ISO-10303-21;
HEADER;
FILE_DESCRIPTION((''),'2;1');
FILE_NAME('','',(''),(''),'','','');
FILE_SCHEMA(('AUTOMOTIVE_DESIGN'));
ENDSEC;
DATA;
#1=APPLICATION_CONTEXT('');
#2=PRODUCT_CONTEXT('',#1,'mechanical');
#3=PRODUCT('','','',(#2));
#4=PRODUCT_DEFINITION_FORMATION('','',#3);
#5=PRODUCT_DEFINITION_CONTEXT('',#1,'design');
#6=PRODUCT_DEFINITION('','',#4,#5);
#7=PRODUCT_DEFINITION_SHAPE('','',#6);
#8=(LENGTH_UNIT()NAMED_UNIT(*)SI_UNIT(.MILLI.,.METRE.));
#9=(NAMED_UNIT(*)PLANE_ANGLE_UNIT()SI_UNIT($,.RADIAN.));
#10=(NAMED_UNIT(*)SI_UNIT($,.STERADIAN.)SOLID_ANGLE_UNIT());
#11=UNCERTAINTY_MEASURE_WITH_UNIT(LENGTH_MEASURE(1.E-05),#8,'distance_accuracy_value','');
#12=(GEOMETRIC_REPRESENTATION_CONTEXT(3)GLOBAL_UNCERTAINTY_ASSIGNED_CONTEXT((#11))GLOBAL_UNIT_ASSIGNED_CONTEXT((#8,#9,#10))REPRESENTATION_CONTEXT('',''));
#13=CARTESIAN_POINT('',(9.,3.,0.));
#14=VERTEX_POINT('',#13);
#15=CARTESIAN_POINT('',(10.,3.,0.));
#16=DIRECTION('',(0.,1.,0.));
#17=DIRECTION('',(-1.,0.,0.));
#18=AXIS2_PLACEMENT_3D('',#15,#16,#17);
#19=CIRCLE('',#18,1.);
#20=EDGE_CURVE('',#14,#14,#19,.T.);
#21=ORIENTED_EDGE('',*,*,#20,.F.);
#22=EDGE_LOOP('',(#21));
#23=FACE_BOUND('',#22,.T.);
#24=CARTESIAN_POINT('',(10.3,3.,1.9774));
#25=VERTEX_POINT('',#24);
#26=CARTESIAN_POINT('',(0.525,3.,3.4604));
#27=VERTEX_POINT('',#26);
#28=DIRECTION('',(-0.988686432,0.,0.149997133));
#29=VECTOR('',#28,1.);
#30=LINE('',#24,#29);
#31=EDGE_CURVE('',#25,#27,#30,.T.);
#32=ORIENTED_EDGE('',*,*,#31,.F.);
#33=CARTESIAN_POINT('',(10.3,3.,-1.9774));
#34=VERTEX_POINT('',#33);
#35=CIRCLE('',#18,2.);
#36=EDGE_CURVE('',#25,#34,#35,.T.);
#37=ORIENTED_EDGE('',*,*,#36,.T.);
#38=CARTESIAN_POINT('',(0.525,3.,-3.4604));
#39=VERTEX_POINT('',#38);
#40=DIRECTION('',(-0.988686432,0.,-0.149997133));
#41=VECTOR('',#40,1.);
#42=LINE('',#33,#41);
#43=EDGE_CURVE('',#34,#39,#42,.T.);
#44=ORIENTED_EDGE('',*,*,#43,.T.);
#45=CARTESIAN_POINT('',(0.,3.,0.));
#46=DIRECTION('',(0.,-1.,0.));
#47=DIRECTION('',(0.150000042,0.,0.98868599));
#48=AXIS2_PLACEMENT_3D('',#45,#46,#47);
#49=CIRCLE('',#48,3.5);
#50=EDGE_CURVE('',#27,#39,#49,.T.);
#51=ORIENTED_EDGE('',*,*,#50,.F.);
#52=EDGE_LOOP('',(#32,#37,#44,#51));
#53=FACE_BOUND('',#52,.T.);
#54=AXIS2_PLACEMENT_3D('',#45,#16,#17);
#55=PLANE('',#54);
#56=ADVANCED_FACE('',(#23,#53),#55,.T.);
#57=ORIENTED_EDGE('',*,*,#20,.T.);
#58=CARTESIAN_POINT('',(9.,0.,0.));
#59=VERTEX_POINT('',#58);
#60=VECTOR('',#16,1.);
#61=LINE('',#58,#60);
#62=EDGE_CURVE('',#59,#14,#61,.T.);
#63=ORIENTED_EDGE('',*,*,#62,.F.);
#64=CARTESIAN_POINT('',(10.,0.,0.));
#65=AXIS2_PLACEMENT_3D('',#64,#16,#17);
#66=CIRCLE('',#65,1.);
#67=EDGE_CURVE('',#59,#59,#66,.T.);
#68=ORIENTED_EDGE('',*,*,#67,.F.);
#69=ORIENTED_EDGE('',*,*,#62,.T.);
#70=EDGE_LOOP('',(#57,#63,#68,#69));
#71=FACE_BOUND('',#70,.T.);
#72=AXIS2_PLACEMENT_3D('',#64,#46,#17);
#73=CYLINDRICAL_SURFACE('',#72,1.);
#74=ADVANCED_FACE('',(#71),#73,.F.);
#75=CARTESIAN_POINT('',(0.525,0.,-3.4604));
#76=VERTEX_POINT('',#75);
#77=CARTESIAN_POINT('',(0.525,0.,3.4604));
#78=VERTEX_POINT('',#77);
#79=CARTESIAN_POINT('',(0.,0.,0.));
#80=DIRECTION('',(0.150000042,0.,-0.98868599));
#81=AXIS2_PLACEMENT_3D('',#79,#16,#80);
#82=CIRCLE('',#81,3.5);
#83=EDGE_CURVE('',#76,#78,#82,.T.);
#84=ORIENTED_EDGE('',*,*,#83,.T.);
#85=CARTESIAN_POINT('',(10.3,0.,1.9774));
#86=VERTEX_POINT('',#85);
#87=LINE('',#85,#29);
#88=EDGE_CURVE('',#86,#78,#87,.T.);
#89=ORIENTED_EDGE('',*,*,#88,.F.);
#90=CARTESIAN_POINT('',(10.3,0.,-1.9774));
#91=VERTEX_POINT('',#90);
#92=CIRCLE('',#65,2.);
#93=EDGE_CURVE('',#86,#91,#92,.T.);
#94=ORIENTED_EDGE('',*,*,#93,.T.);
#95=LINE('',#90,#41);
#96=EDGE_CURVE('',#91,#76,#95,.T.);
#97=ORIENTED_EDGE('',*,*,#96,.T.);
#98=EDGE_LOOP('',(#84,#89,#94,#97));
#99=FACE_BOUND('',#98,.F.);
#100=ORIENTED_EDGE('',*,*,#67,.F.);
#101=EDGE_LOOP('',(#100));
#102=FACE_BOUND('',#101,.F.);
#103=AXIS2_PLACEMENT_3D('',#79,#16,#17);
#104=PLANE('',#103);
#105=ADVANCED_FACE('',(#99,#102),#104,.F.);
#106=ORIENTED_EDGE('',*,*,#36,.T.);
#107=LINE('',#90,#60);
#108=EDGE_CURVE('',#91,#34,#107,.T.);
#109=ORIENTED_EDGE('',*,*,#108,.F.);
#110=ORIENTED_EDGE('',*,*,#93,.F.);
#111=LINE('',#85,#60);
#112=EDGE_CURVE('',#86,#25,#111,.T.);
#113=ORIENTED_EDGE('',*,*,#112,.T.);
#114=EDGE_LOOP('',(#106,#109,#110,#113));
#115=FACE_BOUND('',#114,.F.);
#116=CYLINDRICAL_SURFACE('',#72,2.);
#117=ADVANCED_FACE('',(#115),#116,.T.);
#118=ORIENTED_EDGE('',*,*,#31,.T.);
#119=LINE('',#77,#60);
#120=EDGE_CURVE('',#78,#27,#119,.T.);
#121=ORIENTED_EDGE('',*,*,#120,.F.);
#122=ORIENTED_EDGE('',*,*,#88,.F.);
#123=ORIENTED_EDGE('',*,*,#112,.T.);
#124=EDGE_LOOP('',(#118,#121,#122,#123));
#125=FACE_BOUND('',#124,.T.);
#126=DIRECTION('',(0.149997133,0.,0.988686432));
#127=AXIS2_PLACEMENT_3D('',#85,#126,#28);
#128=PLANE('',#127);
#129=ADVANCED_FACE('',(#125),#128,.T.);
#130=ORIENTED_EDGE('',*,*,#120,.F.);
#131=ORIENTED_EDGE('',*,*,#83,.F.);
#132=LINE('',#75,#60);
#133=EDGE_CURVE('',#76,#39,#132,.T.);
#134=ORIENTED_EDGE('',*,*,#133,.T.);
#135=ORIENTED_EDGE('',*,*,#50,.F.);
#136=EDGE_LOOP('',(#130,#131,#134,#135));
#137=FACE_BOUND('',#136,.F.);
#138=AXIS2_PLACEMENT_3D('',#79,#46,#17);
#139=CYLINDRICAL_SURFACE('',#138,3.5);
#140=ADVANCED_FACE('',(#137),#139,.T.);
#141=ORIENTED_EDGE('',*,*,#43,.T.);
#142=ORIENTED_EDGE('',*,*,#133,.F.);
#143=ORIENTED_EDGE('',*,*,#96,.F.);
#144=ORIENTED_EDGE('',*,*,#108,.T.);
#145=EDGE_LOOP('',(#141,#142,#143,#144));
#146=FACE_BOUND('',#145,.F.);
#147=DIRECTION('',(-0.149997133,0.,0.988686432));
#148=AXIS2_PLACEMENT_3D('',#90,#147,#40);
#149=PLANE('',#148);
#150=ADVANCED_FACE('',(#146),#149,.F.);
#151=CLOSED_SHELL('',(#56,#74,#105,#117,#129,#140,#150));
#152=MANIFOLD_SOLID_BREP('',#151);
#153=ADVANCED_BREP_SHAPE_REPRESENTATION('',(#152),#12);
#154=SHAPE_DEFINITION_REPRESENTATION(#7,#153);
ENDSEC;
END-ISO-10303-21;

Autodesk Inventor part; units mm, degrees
ref_plane "YZ Plane" through (0, 0, 0) normal (1, 0, 0) x (0, 1, 0)
ref_plane "XZ Plane" through (0, 0, 0) normal (0, 1, 0) x (-1, 0, 0)
ref_plane "XY Plane" through (0, 0, 0) normal (0, 0, 1) x (1, 0, 0)
sketch "Sketch1" plane through (0, 0, 0) normal (0, 1, 0) x (-1, 0, 0)
  circle A0 centre (0, 0) radius 3.5
  circle A1 centre (-10, 0) radius 1
  circle A2 centre (-10, 0) radius 2
  line L0 (-10.3, 1.9774) -> (-0.525, 3.4604)
  line L1 (-10.3, -1.9774) -> (-0.525, -3.4604)
  dimension "d0" = 2
  dimension "d1" = 7
  dimension "d2" = 4
  dimension "d3" = 10
extrude "Extrusion1" add sketch "Sketch1" along normal blind 3
properties part number "Servo arm"
